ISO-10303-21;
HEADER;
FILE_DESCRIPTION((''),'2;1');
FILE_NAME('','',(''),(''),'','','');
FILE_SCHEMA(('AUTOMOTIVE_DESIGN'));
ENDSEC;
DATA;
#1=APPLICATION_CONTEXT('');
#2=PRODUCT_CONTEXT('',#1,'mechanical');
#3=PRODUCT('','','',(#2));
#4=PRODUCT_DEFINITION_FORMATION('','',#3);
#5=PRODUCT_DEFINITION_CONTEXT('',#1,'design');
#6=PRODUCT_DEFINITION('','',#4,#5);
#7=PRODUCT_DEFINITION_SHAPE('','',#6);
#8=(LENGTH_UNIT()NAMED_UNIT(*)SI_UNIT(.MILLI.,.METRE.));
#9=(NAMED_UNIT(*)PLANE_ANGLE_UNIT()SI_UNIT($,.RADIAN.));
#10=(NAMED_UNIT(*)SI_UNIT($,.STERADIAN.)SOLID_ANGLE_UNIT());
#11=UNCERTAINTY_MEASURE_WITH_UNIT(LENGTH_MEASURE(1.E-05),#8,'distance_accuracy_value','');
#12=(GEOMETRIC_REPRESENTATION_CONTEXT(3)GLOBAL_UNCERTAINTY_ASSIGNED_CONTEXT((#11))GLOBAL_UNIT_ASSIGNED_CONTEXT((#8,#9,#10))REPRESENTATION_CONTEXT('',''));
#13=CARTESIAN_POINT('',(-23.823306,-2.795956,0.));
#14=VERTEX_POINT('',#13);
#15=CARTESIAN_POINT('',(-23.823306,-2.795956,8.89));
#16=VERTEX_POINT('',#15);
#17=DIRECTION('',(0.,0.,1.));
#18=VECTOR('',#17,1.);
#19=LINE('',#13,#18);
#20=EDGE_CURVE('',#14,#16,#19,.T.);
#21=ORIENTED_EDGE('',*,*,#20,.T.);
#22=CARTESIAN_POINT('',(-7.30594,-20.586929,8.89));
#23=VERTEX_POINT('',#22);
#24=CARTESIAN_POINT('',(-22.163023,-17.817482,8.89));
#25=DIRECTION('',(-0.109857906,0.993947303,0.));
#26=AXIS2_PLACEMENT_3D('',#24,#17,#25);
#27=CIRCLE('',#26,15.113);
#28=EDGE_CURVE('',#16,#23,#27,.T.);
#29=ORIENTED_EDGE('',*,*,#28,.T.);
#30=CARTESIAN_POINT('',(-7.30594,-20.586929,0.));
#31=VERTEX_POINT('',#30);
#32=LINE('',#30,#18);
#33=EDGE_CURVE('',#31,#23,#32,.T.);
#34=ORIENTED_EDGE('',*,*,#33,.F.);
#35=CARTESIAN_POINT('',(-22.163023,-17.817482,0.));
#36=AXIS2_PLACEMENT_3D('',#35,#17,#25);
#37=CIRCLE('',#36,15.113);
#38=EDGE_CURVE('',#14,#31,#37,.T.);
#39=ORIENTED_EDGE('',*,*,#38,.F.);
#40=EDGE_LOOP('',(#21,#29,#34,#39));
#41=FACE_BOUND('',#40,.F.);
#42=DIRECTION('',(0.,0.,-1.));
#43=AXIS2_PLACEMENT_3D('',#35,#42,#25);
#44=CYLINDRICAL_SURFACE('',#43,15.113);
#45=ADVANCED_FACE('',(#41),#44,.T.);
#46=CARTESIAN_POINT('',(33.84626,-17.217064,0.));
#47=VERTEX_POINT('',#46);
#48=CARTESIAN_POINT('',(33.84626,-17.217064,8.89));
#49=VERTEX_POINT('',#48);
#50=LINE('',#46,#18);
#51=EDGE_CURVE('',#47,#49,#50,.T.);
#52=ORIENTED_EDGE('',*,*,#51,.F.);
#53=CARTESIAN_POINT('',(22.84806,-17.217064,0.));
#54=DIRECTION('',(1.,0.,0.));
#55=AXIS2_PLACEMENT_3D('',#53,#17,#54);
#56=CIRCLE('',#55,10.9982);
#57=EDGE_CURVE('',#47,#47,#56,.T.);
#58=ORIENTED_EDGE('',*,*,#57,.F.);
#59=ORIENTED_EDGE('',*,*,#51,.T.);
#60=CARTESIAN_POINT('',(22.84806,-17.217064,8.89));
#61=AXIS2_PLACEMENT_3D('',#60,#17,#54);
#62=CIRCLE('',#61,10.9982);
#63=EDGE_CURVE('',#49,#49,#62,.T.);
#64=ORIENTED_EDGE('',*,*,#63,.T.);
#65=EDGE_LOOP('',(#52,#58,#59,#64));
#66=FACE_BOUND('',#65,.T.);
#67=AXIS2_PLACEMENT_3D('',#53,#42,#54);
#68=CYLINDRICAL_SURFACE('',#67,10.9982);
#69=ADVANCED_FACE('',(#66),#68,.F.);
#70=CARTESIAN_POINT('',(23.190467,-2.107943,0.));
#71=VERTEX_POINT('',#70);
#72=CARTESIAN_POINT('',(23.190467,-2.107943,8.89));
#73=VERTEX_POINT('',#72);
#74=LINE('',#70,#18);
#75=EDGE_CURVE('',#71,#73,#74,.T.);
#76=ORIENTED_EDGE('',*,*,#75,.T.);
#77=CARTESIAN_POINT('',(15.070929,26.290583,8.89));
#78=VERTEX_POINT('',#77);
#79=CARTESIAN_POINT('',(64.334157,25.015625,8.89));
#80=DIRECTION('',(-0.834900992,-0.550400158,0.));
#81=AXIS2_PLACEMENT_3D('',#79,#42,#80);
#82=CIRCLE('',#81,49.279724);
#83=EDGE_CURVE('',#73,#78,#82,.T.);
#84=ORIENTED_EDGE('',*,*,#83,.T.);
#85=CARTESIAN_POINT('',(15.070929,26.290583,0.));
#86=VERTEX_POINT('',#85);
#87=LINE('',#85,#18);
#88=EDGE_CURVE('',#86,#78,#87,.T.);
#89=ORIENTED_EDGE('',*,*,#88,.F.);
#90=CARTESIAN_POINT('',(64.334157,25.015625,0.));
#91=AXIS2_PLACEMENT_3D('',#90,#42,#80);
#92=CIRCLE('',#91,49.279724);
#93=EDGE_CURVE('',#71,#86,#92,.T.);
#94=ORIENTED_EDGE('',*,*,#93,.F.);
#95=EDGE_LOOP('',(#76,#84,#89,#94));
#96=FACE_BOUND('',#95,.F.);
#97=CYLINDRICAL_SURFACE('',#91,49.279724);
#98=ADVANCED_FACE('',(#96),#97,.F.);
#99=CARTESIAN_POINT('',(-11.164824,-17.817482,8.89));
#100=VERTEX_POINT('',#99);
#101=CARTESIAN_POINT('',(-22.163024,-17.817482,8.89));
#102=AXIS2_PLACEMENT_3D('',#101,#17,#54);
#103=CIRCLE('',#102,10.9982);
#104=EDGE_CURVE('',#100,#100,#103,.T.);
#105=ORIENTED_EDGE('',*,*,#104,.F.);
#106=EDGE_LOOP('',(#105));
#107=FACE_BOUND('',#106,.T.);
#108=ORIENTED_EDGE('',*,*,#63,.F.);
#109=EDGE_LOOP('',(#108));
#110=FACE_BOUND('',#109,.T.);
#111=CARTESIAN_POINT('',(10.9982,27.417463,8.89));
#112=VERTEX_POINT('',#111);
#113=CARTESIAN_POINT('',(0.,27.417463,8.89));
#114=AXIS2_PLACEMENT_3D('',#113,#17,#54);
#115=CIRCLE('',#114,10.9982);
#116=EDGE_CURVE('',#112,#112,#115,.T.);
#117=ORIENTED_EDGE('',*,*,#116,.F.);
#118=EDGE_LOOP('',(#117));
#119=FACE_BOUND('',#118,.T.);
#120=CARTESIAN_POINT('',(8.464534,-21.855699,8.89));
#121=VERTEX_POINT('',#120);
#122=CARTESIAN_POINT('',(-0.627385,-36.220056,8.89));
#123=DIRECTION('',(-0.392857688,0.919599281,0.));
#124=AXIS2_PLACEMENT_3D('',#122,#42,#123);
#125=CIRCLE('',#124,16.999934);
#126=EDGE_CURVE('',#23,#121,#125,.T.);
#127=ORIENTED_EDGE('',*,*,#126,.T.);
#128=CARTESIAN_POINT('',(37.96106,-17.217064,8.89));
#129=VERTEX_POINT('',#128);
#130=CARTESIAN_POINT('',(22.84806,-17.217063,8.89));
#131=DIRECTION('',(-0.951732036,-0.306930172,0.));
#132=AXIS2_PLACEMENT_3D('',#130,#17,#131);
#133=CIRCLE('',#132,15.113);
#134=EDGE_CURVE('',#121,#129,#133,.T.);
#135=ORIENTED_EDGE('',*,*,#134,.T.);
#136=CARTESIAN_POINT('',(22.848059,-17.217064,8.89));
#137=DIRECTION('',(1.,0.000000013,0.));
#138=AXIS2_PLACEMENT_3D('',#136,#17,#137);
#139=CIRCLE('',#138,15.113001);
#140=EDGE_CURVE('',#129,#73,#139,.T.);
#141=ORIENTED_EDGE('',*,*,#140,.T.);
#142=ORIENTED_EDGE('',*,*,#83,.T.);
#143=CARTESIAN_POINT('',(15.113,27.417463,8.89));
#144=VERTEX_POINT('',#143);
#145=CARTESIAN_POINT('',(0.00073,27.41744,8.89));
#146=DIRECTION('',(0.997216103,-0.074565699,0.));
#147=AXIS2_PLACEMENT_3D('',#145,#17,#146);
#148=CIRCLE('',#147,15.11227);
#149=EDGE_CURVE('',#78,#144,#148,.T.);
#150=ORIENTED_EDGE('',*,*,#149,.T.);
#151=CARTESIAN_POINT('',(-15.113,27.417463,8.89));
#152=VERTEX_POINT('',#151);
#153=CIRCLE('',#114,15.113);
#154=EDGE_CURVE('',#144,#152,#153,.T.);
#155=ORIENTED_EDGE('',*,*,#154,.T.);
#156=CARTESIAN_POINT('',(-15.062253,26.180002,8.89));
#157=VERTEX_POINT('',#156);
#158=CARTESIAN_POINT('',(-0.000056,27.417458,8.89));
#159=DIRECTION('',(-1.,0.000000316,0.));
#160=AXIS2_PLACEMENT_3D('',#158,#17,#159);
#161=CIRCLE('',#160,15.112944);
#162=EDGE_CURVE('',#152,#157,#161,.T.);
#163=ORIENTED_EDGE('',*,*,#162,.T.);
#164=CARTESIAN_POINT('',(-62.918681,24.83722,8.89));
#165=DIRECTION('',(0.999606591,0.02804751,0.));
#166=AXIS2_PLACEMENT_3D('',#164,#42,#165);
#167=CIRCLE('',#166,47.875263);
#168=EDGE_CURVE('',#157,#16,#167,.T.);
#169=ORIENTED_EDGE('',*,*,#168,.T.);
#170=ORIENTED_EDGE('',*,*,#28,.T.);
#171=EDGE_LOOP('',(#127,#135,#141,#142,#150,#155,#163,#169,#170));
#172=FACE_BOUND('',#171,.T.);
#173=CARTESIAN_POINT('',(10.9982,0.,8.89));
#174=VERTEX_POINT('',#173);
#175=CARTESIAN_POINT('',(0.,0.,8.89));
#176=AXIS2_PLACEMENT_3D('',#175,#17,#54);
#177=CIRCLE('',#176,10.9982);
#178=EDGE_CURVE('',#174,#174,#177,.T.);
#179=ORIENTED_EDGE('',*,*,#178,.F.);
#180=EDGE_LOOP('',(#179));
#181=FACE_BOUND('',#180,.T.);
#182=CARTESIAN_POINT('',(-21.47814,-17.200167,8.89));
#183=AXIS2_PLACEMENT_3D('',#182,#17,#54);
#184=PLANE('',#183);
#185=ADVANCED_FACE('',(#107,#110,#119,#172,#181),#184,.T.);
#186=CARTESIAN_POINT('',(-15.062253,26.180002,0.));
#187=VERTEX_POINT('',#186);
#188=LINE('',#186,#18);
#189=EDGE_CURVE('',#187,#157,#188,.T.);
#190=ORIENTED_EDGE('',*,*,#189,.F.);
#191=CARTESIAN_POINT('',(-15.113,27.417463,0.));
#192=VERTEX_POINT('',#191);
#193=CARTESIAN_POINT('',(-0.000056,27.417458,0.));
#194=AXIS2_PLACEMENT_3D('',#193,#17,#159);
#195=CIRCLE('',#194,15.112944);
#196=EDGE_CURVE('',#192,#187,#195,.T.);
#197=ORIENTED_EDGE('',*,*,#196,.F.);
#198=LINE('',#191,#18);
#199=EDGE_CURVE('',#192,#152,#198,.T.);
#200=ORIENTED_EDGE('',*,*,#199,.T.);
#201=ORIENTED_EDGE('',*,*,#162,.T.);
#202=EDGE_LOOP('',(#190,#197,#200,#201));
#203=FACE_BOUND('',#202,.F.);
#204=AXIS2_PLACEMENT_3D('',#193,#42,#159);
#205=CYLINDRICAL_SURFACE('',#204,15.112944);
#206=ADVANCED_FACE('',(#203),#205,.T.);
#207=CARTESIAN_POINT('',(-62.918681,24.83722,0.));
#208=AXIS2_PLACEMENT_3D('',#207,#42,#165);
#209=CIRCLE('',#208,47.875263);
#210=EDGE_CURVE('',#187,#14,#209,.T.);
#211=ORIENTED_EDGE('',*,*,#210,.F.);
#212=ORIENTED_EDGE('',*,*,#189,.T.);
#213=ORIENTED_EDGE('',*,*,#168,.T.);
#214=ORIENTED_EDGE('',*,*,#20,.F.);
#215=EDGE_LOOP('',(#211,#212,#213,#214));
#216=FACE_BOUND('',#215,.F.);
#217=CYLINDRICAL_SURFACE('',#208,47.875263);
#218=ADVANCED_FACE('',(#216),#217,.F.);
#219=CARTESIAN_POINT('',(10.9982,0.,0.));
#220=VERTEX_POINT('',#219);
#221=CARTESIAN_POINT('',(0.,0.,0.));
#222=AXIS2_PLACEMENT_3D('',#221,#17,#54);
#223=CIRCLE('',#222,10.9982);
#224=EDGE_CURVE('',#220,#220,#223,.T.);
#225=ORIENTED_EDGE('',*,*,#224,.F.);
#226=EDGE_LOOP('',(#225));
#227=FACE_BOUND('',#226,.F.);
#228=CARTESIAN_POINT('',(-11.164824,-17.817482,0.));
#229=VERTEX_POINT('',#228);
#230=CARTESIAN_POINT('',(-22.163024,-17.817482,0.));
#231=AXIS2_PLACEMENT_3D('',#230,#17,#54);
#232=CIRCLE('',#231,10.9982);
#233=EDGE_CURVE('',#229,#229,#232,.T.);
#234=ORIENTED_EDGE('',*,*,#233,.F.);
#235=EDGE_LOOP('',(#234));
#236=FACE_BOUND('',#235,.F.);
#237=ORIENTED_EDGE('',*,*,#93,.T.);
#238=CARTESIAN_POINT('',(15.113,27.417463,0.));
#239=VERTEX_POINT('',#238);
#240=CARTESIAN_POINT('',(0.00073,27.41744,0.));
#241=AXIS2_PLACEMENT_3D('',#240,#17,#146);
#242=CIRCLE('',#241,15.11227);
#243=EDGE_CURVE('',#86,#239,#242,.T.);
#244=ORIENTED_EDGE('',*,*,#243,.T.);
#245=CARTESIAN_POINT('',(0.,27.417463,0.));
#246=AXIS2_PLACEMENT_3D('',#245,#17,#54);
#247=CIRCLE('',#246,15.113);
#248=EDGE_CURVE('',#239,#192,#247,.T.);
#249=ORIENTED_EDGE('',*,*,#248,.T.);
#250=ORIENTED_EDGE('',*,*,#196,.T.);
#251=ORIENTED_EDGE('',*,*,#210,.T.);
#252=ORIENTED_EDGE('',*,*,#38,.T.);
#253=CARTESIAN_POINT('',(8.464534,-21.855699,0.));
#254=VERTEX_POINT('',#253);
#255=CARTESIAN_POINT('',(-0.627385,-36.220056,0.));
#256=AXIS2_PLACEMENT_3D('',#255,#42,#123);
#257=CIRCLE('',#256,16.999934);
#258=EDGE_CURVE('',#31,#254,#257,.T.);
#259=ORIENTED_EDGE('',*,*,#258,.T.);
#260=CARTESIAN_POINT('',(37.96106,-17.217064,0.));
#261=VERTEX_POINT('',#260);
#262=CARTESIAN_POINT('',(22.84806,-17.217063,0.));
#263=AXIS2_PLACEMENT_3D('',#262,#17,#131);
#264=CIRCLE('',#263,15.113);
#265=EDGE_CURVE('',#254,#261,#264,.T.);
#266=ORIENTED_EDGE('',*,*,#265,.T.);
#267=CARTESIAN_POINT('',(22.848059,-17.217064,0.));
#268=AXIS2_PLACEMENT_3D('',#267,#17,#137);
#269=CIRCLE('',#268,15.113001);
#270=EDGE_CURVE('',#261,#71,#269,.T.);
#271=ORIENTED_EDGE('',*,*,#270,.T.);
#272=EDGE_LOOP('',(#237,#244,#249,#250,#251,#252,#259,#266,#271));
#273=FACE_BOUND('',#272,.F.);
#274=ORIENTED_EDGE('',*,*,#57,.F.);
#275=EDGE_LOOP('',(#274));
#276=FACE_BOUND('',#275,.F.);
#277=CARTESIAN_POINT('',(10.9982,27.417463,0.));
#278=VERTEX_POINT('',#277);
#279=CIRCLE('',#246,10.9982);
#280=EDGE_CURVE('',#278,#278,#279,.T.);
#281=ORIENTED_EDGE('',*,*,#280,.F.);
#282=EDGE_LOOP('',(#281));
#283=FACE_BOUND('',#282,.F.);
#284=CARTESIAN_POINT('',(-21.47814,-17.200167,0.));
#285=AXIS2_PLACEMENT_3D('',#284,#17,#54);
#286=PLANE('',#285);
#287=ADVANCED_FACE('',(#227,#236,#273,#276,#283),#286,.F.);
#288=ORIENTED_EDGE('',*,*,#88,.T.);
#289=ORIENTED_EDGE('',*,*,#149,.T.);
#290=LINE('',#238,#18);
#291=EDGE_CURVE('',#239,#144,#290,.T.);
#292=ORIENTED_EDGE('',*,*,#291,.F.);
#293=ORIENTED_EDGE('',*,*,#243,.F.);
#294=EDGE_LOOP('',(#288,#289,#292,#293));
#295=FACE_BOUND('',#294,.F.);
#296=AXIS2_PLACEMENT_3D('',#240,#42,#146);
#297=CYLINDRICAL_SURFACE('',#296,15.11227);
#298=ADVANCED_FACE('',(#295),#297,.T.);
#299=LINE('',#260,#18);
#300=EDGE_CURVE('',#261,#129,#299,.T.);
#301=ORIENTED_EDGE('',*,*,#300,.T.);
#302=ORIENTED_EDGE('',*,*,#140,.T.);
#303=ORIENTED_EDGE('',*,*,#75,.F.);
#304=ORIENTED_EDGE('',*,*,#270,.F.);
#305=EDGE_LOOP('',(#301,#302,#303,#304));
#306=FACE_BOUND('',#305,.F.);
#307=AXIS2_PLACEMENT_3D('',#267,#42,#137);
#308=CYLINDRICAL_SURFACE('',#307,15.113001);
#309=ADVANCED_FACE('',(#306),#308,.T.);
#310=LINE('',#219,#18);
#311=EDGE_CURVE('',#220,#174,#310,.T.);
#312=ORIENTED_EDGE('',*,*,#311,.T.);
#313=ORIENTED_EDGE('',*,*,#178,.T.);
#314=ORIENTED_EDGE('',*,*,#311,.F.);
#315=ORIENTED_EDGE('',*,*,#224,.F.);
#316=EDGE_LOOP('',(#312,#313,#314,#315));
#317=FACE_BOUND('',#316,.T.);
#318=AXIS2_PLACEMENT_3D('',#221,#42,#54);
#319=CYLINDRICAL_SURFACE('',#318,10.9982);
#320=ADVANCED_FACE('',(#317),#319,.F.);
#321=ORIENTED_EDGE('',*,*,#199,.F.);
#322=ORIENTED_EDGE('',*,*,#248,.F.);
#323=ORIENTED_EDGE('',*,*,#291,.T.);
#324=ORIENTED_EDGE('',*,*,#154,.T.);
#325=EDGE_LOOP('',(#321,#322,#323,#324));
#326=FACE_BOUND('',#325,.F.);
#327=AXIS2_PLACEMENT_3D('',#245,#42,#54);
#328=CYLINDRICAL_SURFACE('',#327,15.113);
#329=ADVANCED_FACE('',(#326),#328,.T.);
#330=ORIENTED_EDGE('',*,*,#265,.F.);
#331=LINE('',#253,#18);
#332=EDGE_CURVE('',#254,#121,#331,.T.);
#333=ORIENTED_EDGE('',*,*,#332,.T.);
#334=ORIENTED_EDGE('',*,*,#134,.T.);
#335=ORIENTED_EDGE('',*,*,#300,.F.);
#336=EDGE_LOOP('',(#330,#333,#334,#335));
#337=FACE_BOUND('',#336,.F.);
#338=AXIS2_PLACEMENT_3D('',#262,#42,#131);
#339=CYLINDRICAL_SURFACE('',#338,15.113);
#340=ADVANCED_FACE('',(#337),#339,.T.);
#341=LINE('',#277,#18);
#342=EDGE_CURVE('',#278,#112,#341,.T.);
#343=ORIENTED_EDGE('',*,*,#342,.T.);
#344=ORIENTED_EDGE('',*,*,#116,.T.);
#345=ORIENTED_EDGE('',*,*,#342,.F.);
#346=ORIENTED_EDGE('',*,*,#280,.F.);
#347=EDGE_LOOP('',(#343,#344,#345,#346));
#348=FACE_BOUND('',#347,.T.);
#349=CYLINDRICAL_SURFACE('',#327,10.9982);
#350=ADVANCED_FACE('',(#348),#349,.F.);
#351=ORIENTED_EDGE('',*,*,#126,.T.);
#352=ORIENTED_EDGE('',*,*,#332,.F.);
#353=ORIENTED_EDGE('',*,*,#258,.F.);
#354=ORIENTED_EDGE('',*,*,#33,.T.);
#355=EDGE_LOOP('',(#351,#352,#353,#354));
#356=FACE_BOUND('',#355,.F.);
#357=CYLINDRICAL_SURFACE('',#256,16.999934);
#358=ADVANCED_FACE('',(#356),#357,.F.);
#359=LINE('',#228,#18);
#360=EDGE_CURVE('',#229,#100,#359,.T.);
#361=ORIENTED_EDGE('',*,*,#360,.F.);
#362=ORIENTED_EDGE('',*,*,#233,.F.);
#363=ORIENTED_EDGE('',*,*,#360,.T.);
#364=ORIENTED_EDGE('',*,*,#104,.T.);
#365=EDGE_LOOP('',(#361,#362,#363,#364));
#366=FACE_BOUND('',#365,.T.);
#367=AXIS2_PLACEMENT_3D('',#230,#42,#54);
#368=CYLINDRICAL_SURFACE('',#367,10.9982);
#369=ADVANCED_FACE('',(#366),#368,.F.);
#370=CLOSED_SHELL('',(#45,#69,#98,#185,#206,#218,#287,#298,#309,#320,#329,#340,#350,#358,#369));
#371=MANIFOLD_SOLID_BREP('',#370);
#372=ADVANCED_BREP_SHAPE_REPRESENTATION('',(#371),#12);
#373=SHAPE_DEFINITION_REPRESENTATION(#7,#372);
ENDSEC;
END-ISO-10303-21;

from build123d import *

# Parameters (mm, degrees)
F0_R     = 10.9982
F1_DEPTH = 8.89


with BuildPart() as f1:
    # F0 (on Top) → F1 (new body)
    with BuildSketch(Plane.XY):
        with BuildLine():
            ThreePointArc((-7.30594, -20.586929), (-7.114139, -19.208105), (-7.050024, -17.817482))
            ThreePointArc((-7.050024, -17.817482), (-12.08059, -6.559271), (-23.823306, -2.795956))
            ThreePointArc((-23.823306, -2.795956), (-33.238608, -28.100195), (-7.30594, -20.586929))
        make_face()
        with Locations((-22.163024, -17.817482)):
            Circle(F0_R, mode=Mode.SUBTRACT)
        with BuildLine():
            ThreePointArc((-23.823306, -2.795956), (-12.08059, -6.559271), (-7.050024, -17.817482))
            ThreePointArc((-7.050024, -17.817482), (-7.114139, -19.208105), (-7.30594, -20.586929))
            ThreePointArc((-7.30594, -20.586929), (0.735892, -19.274873), (8.464534, -21.855699))
            ThreePointArc((8.464534, -21.855699), (10.732709, -8.182627), (23.190467, -2.107943))
            ThreePointArc((23.190467, -2.107943), (16.953024, 11.468692), (15.070929, 26.290583))
            ThreePointArc((15.070929, 26.290583), (0.05546, 12.304565), (-15.062253, 26.180002))
            ThreePointArc((-15.062253, 26.180002), (-17.092318, 10.981347), (-23.823306, -2.795956))
        make_face()
        Circle(F0_R, mode=Mode.SUBTRACT)
        with BuildLine():
            ThreePointArc((-15.113, 27.417463), (-15.083625, 26.798897), (-15.062253, 26.180002))
            ThreePointArc((-15.062253, 26.180002), (0.05546, 12.304565), (15.070929, 26.290583))
            ThreePointArc((15.070929, 26.290583), (15.088741, 26.854143), (15.113, 27.417463))
            ThreePointArc((15.113, 27.417463), (0, 42.530463), (-15.113, 27.417463))
        make_face()
        with Locations((0, 27.417463)):
            Circle(F0_R, mode=Mode.SUBTRACT)
        with BuildLine():
            ThreePointArc((-15.113, 27.417463), (-15.100308, 26.798212), (-15.062253, 26.180002))
            ThreePointArc((-15.062253, 26.180002), (-15.083625, 26.798897), (-15.113, 27.417463))
        make_face()
        with BuildLine():
            ThreePointArc((23.190467, -2.107943), (10.732709, -8.182627), (8.464534, -21.855699))
            ThreePointArc((8.464534, -21.855699), (25.195882, -32.146581), (37.96106, -17.217064))
            ThreePointArc((37.96106, -17.217064), (33.654946, -6.652312), (23.190467, -2.107943))
        make_face()
        with Locations((22.84806, -17.217064)):
            Circle(F0_R, mode=Mode.SUBTRACT)
        with BuildLine():
            ThreePointArc((15.113, 27.417463), (15.088741, 26.854143), (15.070929, 26.290583))
            ThreePointArc((15.070929, 26.290583), (15.102479, 26.85363), (15.113, 27.417463))
        make_face()
    extrude(amount=F1_DEPTH)


solid = f1.part
